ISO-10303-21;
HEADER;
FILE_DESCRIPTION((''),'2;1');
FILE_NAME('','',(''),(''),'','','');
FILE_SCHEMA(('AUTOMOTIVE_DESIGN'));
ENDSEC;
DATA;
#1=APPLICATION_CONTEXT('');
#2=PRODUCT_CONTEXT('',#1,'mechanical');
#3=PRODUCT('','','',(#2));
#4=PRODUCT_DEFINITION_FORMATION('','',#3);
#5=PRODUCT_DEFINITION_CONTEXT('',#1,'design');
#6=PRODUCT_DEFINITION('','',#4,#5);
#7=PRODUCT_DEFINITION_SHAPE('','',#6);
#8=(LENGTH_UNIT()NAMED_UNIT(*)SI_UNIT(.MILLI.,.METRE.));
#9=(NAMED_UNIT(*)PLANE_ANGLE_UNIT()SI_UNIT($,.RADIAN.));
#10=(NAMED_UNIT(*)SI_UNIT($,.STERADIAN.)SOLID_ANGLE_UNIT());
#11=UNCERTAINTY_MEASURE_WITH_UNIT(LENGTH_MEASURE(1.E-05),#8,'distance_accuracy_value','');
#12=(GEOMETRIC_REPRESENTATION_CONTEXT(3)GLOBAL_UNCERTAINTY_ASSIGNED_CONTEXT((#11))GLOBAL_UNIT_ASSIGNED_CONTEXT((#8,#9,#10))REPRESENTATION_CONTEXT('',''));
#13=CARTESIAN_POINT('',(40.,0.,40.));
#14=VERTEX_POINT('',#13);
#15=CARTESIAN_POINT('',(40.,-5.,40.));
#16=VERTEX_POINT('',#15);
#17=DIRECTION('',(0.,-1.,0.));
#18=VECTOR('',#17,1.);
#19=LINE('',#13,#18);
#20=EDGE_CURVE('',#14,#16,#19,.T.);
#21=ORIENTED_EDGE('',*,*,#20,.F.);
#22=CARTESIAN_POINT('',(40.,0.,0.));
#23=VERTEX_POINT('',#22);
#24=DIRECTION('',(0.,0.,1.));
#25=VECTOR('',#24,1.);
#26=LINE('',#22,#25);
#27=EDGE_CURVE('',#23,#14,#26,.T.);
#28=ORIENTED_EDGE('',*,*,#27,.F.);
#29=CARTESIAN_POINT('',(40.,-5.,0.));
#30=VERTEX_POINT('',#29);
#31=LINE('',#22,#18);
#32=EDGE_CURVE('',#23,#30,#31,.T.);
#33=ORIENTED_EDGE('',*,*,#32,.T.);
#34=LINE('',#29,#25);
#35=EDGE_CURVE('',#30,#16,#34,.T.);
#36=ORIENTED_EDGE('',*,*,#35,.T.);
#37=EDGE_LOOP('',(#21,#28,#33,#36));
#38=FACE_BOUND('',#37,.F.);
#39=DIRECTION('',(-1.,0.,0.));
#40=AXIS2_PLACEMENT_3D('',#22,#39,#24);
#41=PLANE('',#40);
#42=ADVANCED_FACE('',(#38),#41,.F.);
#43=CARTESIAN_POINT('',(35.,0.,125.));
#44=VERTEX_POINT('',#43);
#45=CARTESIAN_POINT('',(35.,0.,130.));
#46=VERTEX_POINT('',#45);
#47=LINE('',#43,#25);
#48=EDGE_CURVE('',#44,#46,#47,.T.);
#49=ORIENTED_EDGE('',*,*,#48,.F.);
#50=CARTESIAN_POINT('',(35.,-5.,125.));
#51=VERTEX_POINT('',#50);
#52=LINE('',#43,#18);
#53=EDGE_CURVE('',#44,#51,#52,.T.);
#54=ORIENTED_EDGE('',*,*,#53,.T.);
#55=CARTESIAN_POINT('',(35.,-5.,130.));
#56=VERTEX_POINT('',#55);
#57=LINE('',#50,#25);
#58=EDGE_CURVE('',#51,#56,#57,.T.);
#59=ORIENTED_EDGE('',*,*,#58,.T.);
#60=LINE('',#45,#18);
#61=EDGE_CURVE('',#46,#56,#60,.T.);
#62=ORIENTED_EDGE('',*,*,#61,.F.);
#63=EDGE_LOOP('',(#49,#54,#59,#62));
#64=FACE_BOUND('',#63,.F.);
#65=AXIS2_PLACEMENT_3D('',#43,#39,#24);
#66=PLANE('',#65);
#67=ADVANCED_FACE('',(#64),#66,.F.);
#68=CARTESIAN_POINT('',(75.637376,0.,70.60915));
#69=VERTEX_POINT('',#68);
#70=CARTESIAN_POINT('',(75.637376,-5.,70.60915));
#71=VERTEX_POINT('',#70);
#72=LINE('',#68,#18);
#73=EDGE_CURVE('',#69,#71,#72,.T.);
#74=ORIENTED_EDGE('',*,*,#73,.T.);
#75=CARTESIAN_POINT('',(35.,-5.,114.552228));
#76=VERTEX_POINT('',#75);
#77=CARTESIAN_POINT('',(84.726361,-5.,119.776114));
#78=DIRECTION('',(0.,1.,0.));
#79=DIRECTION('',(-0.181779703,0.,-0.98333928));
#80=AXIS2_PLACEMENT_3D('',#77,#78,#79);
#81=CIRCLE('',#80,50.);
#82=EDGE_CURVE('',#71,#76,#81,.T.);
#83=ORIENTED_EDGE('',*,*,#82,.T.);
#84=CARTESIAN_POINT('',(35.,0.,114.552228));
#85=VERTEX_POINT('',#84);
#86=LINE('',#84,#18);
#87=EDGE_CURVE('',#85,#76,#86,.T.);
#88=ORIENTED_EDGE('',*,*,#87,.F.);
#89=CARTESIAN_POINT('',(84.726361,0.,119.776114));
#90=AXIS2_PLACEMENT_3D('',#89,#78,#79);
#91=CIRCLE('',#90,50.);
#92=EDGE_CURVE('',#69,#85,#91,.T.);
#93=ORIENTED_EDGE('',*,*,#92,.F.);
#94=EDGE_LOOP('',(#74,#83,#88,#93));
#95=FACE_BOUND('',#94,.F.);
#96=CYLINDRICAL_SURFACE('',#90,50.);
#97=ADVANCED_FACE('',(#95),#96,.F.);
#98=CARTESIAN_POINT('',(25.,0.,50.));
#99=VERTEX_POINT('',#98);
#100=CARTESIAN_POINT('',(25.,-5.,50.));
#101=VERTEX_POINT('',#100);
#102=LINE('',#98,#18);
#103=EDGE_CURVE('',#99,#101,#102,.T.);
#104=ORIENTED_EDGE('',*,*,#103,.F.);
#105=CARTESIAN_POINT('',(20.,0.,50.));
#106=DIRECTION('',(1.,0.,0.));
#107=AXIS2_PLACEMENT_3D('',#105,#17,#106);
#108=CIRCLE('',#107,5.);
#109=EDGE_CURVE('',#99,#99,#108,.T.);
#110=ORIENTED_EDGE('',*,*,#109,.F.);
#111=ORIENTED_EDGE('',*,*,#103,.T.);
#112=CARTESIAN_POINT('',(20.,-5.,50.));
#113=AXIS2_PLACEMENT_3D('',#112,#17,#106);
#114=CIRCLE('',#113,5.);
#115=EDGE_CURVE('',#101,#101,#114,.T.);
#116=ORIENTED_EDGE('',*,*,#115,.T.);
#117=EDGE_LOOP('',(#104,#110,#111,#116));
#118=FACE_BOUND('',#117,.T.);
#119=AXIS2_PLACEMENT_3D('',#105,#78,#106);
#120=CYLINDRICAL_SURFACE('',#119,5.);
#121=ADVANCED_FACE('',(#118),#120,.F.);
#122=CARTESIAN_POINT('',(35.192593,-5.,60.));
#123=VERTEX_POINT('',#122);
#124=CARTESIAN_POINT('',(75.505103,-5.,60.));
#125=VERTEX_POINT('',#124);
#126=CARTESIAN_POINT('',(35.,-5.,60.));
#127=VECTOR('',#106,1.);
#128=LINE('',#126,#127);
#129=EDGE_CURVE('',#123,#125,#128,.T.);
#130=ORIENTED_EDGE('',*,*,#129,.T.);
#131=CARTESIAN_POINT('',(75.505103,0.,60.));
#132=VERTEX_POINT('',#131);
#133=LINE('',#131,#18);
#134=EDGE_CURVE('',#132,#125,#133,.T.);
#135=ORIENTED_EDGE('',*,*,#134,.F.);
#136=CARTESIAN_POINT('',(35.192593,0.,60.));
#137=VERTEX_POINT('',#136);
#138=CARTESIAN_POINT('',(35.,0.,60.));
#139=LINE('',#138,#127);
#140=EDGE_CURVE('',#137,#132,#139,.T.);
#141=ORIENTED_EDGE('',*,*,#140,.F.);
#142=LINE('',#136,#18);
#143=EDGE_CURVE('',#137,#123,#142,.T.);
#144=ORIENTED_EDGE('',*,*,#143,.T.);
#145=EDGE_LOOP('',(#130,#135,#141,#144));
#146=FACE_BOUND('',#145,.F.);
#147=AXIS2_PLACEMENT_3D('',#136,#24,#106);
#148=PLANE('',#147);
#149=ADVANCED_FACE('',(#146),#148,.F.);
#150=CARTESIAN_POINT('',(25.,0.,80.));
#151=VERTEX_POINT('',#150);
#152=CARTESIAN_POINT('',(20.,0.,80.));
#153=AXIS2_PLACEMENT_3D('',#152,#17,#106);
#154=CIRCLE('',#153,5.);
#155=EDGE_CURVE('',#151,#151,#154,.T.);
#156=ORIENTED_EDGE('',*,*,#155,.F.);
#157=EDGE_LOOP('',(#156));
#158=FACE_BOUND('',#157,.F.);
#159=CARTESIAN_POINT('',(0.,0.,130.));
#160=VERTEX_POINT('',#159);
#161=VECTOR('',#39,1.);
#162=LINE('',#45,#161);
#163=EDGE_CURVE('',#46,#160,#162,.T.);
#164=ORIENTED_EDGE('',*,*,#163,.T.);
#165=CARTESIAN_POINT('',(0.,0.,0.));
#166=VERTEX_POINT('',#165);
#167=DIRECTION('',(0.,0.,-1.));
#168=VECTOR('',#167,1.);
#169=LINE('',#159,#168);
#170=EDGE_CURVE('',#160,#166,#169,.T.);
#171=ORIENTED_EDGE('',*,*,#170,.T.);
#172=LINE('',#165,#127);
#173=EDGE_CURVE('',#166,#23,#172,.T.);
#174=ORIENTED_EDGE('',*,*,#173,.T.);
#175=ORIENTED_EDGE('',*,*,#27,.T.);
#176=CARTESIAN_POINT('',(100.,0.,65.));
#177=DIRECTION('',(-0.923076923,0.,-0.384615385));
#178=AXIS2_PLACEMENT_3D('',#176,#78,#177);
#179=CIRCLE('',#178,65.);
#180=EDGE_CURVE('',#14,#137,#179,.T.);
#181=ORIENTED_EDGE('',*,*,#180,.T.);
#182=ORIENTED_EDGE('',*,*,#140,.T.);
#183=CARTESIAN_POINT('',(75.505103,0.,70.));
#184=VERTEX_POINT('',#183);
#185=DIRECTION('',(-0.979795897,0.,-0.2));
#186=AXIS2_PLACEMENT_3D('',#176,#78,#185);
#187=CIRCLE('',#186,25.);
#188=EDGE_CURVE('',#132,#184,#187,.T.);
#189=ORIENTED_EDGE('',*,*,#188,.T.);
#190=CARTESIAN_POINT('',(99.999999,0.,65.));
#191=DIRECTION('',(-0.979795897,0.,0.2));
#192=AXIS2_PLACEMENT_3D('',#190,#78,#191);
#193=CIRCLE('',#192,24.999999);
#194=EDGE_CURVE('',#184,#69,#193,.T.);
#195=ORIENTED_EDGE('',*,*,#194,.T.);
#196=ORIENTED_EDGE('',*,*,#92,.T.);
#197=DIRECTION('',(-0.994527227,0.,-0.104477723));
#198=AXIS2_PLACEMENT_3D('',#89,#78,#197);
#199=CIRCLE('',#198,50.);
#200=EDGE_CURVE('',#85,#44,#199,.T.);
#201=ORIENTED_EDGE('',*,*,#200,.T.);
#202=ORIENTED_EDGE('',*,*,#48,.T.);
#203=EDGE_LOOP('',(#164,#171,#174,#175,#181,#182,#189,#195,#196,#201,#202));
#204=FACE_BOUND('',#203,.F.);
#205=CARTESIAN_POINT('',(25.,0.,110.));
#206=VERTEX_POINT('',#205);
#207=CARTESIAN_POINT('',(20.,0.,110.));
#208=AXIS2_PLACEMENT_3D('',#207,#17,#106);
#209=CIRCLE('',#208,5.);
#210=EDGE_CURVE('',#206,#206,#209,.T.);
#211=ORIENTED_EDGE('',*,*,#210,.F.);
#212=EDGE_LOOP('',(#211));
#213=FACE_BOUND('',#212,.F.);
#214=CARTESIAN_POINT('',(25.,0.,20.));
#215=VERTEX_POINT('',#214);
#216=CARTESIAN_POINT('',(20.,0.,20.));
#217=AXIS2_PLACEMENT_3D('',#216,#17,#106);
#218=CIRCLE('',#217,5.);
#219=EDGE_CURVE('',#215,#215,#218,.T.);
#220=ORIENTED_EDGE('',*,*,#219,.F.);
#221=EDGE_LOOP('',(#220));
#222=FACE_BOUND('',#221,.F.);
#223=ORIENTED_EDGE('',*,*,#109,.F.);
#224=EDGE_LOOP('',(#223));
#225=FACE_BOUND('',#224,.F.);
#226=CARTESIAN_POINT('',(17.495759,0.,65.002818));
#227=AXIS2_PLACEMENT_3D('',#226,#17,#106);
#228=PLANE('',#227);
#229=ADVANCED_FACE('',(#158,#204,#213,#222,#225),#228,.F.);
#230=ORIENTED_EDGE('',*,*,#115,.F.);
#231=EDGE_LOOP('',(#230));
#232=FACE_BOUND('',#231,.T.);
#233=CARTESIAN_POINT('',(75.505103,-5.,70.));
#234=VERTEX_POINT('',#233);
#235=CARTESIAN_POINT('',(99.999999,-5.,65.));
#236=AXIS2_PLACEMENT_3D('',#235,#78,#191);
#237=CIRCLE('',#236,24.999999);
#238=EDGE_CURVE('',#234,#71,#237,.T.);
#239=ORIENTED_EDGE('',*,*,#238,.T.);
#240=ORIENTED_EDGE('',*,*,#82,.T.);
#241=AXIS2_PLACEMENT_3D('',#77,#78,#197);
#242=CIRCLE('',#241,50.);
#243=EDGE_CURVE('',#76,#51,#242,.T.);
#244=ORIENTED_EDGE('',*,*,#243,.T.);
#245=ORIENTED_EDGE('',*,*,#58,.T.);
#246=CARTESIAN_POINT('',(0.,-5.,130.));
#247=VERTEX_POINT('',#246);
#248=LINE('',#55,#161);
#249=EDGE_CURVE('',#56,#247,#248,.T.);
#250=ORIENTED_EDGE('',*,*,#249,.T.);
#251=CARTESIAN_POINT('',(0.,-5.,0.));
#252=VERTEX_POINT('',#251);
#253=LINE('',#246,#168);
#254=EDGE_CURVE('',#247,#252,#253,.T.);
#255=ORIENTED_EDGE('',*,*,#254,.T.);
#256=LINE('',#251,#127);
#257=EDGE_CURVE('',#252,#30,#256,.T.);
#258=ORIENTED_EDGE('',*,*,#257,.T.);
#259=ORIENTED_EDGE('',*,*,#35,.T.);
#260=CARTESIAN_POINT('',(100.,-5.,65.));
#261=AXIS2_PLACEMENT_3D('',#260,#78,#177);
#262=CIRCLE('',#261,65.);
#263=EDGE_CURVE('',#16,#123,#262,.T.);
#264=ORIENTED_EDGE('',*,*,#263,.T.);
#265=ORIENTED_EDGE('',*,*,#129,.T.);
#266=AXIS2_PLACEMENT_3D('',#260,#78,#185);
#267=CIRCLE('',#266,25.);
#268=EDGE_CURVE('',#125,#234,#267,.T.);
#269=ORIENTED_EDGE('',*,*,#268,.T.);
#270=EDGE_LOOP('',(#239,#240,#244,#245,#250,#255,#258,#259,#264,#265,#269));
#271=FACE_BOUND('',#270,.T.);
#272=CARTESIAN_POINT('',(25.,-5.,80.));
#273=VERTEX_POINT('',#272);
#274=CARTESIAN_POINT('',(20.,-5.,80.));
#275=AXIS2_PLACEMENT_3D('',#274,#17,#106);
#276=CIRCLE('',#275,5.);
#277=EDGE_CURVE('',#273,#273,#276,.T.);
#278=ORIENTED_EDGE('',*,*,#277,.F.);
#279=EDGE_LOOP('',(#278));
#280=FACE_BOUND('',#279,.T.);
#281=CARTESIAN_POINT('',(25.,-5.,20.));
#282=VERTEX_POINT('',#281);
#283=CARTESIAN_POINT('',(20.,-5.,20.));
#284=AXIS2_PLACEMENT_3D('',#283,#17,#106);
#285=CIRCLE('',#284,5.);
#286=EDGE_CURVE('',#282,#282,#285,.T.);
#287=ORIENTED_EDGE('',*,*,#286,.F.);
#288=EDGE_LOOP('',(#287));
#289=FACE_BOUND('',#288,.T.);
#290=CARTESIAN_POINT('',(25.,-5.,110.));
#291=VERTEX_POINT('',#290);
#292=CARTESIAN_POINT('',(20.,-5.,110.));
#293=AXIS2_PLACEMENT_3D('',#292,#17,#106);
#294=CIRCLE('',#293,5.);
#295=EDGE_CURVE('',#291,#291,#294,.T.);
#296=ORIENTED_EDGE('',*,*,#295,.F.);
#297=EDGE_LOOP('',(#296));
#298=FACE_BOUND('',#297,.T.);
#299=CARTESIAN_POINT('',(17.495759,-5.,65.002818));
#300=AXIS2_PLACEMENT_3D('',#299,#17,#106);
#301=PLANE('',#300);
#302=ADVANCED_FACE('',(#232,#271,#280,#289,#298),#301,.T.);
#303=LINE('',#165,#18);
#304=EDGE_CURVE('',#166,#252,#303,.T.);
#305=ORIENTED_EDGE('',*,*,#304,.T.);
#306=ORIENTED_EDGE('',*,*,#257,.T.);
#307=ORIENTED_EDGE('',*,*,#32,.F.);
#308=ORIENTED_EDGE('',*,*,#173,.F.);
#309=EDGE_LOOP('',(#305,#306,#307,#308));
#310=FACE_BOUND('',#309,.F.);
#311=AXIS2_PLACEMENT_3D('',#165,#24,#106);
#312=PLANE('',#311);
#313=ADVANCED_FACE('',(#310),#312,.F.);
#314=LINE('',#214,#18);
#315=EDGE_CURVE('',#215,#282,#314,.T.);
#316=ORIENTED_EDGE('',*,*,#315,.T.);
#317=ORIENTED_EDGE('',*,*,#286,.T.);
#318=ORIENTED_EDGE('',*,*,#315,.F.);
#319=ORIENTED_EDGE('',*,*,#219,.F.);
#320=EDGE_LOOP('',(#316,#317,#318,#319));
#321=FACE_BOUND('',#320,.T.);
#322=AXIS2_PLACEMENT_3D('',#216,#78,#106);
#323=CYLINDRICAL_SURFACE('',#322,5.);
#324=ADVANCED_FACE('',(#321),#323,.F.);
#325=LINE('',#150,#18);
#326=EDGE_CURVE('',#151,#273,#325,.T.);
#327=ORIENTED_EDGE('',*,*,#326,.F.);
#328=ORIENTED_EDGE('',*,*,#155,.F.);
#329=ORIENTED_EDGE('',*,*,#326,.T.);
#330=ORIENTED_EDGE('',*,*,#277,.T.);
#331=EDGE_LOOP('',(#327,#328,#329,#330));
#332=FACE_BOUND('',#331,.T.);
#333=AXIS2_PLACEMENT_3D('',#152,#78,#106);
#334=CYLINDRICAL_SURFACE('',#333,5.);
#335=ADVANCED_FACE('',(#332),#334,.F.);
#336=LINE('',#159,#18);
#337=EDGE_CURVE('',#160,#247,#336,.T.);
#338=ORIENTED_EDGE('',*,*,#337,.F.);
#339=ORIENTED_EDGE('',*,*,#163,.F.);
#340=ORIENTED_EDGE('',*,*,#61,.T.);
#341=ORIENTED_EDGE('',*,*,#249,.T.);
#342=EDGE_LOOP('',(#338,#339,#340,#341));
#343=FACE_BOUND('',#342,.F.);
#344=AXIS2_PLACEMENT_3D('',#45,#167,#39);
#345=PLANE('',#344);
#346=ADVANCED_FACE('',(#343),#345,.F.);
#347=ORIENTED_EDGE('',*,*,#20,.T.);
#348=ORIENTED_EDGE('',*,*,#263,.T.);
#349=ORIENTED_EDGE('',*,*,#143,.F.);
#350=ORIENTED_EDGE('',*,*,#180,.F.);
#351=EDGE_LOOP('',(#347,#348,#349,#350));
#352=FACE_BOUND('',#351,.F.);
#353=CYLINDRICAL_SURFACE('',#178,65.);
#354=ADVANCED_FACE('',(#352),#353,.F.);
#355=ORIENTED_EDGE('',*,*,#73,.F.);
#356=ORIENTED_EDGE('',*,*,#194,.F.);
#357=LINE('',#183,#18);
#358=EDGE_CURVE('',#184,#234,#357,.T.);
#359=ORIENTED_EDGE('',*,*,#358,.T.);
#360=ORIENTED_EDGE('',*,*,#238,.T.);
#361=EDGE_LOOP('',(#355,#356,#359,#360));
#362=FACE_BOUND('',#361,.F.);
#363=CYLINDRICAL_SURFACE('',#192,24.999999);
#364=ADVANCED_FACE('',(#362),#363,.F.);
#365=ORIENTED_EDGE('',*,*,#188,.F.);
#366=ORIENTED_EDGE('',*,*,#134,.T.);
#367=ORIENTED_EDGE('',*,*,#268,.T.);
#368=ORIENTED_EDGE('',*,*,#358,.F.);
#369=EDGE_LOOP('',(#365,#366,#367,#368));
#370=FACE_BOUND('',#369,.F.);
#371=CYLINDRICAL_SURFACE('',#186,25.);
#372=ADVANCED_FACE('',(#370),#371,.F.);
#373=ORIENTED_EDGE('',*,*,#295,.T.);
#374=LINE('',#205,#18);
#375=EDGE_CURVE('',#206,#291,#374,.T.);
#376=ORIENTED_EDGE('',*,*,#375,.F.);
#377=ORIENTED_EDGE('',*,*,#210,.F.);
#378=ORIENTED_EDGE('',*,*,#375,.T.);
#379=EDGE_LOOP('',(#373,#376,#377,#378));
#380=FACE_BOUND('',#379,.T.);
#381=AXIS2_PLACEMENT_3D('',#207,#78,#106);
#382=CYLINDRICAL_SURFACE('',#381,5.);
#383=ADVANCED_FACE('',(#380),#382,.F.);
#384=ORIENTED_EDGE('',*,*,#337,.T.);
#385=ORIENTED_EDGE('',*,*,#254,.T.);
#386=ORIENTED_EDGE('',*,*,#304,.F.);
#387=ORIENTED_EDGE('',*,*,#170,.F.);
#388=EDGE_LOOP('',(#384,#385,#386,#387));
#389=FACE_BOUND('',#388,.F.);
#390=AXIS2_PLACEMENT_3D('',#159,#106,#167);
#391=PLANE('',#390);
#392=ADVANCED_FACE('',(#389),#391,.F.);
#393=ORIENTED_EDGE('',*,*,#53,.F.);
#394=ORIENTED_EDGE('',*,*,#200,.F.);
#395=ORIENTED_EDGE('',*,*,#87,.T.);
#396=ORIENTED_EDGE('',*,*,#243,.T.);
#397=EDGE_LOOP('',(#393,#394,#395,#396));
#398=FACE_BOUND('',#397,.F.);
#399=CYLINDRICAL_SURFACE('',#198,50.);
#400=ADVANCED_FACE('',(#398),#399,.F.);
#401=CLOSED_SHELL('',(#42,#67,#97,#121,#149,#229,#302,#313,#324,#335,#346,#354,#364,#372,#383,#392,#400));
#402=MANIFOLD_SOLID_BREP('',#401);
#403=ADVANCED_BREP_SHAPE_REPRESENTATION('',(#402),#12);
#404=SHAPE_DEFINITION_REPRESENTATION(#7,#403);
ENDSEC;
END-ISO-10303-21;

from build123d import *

# Parameters (mm, degrees)
F0_R     = 5
F1_DEPTH = 5


with BuildPart() as f1:
    # F0 (on Front) → F1 (new body)
    with BuildSketch(Plane.XZ):
        with BuildLine():
            Line((0, 130), (0, 0))
            Line((0, 0), (35, 0))
            Line((35, 0), (35, 60))
            Line((35, 60), (35, 70))
            Line((35, 70), (35, 114.5522276671))
            ThreePointArc((35, 114.5522276671), (34.7263613521, 119.7761138335), (35, 125))
            Line((35, 125), (35, 130))
            Line((35, 130), (0, 130))
        make_face()
        with Locations((20, 20)):
            Circle(F0_R, mode=Mode.SUBTRACT)
        with Locations((20, 50)):
            Circle(F0_R, mode=Mode.SUBTRACT)
        with Locations((20, 80)):
            Circle(F0_R, mode=Mode.SUBTRACT)
        with Locations((20, 110)):
            Circle(F0_R, mode=Mode.SUBTRACT)
        with BuildLine():
            Line((35, 114.5522276671), (35, 70))
            Line((35, 70), (75.5051025722, 70))
            ThreePointArc((75.5051025722, 70), (75.5693407605, 70.3049871936), (75.6373762056, 70.6091498332))
            ThreePointArc((75.6373762056, 70.6091498332), (48.0172375773, 85.8285037308), (35, 114.5522276671))
        make_face()
        with BuildLine():
            Line((35, 70), (35, 60))
            Line((35, 60), (35.1925930159, 60))
            Line((35.1925930159, 60), (40, 60))
            Line((40, 60), (75.5051025722, 60))
            ThreePointArc((75.5051025722, 60), (75, 65), (75.5051025722, 70))
            Line((75.5051025722, 70), (35, 70))
        make_face()
        with BuildLine():
            Line((35, 60), (35, 0))
            Line((35, 0), (40, 0))
            Line((40, 0), (40, 40))
            ThreePointArc((40, 40), (36.8001407476, 49.8086277619), (35.1925930159, 60))
            Line((35.1925930159, 60), (35, 60))
        make_face()
    extrude(amount=F1_DEPTH)


solid = f1.part
